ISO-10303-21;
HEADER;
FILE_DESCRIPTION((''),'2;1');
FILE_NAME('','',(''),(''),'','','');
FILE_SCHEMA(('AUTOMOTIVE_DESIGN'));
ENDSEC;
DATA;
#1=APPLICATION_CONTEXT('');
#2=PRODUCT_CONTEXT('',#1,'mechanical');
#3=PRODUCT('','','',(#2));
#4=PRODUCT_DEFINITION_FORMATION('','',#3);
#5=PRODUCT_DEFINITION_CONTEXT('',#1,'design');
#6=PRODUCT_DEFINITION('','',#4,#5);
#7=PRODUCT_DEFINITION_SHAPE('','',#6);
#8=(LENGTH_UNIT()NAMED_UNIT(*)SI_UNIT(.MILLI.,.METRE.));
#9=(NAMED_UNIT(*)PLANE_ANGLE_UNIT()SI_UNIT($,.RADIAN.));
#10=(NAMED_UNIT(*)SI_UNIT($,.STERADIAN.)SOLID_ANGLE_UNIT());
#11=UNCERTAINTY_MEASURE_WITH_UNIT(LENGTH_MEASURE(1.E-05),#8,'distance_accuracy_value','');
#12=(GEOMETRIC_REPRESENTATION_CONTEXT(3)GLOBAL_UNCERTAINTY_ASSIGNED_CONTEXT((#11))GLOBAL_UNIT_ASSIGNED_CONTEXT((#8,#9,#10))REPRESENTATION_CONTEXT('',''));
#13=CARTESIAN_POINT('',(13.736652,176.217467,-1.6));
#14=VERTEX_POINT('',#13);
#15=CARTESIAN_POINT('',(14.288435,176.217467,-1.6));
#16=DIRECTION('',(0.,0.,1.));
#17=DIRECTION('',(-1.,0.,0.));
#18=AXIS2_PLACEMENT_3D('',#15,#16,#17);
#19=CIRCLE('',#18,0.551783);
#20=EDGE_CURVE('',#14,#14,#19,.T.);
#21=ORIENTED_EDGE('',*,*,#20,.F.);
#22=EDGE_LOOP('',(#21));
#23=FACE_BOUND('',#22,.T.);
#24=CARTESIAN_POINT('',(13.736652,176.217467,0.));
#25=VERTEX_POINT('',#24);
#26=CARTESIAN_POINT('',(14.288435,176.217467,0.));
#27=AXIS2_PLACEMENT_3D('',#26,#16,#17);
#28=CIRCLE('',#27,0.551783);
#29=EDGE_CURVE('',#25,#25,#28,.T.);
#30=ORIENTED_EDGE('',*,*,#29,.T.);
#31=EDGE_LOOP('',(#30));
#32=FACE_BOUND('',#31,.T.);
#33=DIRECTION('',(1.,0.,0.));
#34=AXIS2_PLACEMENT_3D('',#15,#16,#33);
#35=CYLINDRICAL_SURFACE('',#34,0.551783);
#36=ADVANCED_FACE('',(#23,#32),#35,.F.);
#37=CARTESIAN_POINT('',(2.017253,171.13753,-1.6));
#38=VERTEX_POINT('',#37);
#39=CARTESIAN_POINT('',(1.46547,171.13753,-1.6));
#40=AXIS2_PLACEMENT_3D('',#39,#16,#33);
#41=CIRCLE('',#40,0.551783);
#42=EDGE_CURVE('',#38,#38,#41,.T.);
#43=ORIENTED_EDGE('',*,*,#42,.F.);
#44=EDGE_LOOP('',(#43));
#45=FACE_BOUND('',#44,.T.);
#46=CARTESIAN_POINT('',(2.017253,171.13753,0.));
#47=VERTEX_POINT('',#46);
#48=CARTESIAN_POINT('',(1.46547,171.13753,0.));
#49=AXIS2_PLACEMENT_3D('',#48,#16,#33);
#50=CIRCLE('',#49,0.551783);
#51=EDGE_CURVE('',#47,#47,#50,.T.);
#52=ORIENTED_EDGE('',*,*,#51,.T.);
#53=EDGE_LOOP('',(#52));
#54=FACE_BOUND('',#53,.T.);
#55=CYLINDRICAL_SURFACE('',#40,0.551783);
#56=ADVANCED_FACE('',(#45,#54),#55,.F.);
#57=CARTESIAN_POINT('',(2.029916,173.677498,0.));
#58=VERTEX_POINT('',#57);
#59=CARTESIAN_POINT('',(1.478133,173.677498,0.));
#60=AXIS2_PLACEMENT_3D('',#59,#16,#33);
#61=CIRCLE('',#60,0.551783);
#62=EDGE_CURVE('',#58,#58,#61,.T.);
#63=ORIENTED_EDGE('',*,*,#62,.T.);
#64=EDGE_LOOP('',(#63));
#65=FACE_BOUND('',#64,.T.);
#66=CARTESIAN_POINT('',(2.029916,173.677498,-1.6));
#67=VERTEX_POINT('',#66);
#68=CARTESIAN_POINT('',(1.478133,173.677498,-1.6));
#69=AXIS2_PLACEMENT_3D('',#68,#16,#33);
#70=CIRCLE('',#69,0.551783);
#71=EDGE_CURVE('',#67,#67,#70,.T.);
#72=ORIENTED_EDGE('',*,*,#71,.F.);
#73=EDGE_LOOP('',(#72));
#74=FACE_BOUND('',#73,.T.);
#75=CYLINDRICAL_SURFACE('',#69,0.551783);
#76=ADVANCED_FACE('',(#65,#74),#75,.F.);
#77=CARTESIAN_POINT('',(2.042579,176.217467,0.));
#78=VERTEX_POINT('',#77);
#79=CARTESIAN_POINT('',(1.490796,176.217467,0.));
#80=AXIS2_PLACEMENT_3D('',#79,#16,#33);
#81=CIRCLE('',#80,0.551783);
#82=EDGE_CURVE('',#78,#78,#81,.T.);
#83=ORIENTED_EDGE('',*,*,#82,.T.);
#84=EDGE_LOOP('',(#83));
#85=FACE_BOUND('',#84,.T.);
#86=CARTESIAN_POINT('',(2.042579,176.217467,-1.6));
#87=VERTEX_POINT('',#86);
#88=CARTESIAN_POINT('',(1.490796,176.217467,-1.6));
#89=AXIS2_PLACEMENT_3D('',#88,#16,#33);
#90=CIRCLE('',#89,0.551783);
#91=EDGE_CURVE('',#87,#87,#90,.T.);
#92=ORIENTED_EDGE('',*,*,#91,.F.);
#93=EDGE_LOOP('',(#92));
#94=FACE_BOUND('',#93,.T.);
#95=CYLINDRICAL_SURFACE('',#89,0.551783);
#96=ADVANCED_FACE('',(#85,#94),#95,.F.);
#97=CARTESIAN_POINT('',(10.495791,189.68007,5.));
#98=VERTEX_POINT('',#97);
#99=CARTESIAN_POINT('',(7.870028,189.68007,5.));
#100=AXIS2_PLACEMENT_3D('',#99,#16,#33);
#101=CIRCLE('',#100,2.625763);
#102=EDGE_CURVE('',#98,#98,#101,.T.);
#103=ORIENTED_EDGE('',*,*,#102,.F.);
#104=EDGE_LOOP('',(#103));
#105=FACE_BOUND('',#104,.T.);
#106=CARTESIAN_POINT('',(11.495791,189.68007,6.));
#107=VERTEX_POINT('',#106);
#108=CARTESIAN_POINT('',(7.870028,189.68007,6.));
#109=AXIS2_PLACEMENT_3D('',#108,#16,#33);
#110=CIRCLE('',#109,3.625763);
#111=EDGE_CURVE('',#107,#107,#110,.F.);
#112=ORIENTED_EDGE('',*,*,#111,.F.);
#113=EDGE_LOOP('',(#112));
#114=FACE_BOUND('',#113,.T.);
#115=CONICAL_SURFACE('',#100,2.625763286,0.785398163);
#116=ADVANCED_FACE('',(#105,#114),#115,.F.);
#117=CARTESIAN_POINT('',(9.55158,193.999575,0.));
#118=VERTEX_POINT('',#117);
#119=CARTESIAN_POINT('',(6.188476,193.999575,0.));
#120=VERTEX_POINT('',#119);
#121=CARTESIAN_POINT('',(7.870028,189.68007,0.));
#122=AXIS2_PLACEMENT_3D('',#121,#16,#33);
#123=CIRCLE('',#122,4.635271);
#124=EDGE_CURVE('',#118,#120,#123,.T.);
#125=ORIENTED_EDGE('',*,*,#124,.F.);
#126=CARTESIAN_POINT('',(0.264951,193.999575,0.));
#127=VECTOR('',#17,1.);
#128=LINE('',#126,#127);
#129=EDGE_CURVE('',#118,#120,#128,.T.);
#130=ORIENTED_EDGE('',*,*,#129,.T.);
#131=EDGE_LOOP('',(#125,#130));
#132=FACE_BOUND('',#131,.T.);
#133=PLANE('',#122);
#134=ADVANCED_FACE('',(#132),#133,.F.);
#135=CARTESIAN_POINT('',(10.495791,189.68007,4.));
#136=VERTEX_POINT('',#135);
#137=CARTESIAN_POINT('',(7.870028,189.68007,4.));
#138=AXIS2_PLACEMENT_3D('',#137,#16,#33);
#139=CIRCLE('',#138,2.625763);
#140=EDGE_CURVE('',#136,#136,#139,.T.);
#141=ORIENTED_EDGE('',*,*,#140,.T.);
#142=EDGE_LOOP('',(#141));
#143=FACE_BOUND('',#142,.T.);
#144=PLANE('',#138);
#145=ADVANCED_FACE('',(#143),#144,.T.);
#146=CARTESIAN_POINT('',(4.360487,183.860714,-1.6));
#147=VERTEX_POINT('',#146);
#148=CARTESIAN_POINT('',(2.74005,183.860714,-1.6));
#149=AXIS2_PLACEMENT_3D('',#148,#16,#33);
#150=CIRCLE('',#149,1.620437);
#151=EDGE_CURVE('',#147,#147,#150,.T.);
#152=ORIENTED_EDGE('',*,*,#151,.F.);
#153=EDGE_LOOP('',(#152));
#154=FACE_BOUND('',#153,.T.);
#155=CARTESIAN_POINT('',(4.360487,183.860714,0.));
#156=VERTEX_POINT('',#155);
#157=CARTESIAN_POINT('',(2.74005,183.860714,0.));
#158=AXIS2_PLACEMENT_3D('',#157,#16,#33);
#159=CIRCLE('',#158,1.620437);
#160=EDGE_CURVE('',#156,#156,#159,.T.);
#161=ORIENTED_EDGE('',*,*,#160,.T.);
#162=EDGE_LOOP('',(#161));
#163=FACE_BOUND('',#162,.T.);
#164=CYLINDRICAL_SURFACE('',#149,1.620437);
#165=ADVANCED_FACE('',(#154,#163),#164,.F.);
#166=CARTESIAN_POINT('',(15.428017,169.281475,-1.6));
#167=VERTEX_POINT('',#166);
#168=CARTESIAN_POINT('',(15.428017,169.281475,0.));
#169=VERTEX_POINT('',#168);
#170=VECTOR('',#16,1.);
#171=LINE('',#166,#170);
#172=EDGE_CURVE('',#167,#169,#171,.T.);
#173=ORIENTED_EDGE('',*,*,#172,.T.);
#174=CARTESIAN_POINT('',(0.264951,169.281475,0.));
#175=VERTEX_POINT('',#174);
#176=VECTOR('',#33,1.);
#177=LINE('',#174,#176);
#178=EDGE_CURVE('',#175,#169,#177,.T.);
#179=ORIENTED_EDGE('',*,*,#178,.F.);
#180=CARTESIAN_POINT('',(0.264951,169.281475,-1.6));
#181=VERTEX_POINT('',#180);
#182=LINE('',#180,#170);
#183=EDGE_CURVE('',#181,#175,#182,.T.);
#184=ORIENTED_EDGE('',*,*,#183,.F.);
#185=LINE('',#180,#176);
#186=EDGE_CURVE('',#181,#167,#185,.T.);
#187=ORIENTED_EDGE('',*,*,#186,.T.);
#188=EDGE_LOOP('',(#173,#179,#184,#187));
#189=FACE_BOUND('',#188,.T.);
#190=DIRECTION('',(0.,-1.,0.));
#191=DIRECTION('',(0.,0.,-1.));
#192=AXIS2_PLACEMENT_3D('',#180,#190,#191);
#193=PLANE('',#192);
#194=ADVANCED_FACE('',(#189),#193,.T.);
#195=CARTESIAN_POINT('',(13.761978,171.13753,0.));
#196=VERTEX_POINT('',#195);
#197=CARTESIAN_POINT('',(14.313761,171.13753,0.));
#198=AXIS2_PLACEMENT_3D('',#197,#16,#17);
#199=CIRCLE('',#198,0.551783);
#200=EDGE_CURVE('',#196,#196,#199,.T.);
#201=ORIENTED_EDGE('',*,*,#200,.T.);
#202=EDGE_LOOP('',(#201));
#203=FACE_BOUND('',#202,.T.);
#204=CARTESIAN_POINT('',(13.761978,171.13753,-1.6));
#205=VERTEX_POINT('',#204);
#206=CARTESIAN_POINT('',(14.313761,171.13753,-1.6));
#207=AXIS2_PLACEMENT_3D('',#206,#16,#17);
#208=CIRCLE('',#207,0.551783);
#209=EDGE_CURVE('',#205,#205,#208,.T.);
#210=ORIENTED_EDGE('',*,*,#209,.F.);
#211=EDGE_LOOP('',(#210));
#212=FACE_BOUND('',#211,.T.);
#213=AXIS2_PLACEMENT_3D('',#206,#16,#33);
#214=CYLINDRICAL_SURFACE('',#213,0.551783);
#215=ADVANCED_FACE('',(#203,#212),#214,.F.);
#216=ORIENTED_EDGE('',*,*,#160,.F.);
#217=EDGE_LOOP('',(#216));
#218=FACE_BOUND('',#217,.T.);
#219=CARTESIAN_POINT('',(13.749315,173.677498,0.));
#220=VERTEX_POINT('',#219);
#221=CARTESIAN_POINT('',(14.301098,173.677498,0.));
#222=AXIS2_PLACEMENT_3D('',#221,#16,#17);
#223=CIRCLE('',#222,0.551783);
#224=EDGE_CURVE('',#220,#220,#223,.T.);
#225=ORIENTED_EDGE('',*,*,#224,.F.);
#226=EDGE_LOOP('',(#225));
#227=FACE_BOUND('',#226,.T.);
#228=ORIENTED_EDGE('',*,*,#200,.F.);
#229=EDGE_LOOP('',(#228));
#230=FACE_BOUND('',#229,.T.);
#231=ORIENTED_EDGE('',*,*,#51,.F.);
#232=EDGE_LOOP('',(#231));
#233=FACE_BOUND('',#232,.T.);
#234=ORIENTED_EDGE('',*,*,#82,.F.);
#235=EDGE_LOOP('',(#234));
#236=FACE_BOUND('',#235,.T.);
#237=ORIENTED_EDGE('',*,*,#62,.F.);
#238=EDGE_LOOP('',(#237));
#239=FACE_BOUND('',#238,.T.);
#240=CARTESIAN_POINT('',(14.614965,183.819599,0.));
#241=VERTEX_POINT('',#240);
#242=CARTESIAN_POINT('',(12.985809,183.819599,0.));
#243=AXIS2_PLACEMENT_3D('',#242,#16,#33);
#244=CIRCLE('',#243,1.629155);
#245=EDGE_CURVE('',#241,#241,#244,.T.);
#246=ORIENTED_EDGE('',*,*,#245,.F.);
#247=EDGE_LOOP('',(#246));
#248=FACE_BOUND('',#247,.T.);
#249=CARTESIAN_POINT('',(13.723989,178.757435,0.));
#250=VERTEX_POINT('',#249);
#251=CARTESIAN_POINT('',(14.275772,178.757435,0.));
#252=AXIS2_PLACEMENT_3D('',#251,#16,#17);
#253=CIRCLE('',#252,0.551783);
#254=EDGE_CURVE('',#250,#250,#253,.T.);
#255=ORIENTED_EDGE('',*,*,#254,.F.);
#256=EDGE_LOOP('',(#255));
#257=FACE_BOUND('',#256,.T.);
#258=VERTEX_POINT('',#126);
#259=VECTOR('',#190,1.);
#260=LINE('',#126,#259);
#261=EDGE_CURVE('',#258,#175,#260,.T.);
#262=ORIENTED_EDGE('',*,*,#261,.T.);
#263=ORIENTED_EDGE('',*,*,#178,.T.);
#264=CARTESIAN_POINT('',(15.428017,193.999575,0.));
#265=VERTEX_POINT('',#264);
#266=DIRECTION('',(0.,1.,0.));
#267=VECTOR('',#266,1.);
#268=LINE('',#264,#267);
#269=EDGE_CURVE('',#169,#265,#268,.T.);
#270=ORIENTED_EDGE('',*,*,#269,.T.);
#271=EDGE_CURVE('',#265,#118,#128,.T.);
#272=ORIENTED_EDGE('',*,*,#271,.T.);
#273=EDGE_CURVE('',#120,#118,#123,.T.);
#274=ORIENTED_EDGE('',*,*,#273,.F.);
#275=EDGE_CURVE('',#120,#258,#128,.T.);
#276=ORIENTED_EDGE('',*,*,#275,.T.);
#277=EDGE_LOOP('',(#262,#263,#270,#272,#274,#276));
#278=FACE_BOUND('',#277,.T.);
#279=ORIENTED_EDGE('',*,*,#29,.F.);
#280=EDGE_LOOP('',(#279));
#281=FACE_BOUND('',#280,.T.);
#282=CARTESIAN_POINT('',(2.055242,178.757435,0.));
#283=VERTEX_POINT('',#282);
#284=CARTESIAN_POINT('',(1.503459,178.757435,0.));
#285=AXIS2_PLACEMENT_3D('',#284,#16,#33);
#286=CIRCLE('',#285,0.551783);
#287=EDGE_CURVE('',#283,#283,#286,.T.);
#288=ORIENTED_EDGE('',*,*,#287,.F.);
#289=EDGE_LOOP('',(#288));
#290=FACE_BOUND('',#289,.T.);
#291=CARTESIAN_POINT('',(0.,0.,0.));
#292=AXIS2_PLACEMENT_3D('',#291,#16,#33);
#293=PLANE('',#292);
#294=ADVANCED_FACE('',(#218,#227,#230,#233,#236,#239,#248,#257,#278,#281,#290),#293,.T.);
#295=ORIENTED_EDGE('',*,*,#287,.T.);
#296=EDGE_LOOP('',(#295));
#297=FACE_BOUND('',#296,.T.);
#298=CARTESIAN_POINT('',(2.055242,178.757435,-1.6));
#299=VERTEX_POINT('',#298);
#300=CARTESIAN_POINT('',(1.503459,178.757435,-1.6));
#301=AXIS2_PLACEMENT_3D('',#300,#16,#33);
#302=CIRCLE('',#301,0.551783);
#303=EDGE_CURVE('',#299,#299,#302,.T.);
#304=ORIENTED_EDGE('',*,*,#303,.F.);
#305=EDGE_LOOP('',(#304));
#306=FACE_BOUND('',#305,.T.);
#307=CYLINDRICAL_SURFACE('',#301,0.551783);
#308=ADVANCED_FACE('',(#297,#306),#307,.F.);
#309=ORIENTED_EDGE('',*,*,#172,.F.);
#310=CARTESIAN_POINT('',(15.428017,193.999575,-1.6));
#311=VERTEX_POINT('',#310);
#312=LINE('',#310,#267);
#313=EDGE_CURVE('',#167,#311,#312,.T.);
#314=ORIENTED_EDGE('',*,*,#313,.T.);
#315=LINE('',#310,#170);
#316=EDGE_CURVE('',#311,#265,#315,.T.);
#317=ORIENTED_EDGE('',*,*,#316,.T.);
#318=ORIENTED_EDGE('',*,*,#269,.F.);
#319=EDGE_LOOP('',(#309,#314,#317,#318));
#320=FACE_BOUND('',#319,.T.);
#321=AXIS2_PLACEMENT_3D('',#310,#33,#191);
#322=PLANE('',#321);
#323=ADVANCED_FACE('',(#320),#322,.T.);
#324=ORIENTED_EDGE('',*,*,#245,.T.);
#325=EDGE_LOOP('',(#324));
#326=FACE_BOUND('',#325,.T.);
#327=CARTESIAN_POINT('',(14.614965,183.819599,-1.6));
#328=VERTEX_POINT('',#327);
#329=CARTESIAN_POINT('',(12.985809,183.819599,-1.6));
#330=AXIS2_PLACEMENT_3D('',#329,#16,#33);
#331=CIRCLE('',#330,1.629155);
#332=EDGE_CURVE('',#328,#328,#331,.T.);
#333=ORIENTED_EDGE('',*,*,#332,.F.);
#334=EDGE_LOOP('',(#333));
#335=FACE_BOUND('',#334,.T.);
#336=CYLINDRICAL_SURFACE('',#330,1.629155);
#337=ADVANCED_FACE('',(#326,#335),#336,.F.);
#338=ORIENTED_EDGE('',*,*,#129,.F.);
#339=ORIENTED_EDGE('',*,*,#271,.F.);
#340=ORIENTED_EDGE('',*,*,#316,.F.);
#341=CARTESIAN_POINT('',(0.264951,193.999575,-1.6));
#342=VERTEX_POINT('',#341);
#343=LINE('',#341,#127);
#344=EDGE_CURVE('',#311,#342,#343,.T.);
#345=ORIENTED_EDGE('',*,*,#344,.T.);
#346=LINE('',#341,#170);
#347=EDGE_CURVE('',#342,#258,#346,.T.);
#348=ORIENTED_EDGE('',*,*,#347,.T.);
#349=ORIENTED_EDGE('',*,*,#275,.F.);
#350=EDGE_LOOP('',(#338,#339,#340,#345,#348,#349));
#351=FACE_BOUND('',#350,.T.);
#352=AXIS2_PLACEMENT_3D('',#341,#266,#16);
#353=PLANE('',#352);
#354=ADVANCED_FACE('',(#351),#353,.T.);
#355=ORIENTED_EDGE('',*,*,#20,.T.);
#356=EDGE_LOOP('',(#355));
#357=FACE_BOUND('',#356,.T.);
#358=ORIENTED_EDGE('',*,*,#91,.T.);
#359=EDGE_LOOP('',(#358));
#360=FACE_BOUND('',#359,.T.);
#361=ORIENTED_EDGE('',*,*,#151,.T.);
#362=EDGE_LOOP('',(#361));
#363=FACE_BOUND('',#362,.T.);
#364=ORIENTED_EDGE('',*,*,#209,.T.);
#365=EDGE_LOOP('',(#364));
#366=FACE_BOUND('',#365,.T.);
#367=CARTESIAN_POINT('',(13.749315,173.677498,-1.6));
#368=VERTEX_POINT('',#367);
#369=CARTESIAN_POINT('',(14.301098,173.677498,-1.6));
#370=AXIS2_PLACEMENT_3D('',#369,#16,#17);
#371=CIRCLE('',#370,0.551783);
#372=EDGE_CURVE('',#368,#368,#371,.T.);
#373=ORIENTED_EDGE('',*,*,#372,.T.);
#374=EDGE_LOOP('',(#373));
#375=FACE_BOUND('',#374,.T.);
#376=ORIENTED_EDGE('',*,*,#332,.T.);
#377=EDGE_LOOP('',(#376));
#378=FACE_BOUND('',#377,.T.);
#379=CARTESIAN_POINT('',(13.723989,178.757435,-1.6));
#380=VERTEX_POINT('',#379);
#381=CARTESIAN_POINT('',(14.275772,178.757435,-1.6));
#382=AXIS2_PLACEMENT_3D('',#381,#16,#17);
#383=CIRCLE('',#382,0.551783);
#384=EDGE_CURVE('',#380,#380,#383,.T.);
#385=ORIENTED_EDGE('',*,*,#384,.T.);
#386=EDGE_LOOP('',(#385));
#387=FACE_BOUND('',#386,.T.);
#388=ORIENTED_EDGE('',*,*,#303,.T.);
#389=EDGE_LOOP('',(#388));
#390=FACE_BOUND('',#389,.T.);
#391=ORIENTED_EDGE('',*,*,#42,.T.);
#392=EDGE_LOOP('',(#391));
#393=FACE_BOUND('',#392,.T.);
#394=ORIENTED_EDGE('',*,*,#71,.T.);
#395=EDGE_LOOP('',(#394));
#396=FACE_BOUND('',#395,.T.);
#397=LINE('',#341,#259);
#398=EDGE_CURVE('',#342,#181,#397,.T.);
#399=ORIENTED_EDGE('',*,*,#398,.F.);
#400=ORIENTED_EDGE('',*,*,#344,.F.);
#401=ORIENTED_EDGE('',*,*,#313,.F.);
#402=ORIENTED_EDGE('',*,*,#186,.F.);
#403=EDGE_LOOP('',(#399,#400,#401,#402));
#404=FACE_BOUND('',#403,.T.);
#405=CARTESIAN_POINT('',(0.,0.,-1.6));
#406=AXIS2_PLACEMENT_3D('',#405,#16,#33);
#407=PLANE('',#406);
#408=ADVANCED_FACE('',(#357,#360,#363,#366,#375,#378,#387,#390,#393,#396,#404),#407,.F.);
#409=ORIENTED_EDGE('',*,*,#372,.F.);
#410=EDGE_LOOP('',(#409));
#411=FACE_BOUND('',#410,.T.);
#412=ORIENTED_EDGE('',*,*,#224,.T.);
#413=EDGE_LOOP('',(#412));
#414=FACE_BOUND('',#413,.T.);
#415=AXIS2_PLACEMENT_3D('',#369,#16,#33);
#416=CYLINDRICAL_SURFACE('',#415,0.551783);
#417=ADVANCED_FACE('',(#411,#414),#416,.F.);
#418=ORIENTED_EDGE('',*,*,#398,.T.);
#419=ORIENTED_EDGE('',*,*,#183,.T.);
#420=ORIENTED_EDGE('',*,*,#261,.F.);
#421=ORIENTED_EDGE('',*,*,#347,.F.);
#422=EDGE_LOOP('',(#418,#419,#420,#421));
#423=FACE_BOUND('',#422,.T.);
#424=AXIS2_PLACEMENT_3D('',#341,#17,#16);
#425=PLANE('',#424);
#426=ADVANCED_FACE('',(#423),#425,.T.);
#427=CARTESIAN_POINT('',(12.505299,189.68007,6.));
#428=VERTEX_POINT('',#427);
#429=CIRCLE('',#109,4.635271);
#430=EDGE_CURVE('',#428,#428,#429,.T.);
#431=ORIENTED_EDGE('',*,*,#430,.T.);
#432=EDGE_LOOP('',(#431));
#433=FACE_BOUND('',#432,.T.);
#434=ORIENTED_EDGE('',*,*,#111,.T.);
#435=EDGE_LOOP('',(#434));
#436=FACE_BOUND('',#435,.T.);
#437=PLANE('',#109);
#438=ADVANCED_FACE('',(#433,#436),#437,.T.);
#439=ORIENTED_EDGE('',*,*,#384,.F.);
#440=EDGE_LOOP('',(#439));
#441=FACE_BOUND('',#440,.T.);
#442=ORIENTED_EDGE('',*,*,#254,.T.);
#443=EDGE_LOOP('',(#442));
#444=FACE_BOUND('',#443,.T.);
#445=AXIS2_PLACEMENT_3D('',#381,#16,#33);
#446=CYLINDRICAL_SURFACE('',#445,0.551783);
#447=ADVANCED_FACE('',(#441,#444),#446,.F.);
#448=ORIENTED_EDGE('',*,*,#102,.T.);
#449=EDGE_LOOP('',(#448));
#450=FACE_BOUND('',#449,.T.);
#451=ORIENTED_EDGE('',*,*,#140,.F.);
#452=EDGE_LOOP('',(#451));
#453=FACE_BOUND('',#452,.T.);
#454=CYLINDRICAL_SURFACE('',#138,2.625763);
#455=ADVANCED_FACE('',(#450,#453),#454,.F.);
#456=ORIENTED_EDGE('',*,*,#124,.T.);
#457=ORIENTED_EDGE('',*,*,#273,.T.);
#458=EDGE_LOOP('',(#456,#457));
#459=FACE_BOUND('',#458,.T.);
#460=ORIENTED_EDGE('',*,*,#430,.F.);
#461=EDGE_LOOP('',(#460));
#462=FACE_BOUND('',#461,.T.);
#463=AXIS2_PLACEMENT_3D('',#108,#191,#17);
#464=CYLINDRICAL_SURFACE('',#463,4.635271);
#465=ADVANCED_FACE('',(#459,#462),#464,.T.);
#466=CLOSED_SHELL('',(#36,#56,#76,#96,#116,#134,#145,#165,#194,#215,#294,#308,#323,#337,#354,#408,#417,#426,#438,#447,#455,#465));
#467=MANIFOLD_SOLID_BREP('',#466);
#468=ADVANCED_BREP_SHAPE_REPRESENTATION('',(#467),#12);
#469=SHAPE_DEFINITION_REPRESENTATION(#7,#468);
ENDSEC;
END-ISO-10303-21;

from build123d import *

# Parameters (mm, degrees)
ESQUISSE1_W             = 15.163065961
ESQUISSE1_H             = 24.718099935
ESQUISSE1_R             = 1.620437073
ESQUISSE1_R_2           = 1.629155484
ESQUISSE1_R_3           = 0.551783112
BOSS_EXTRU_1_DEPTH      = 1.6
ESQUISSE2_R             = 4.635270965
BOSS_EXTRU_2_DEPTH      = 6
ESQUISSE3_R             = 2.625763286
ENL_V_MAT_EXTRU_1_DEPTH = 2
CHANFREIN1_SIZE         = 1


with BuildPart() as part:
    # Esquisse1 → Boss.-Extru.1 (new body)
    with BuildSketch(Plane.XY):
        with Locations((7.846483978, 181.640524959)):
            Rectangle(ESQUISSE1_W, ESQUISSE1_H)
        with Locations((2.740050159, 183.860713577)):
            Circle(ESQUISSE1_R, mode=Mode.SUBTRACT)
        with Locations((12.98580948, 183.819598973)):
            Circle(ESQUISSE1_R_2, mode=Mode.SUBTRACT)
        with Locations((1.503458801, 178.757435176)):
            Circle(ESQUISSE1_R_3, mode=Mode.SUBTRACT)
        with Locations((1.490795777, 176.217466742)):
            Circle(ESQUISSE1_R_3, mode=Mode.SUBTRACT)
        with Locations((1.478132752, 173.677498307)):
            Circle(ESQUISSE1_R_3, mode=Mode.SUBTRACT)
        with Locations((1.465469727, 171.137529873)):
            Circle(ESQUISSE1_R_3, mode=Mode.SUBTRACT)
        with Locations(Location((14.313761483, 171.137529873, 0), (0, 0, 180))):
            Circle(ESQUISSE1_R_3, mode=Mode.SUBTRACT)
        with Locations(Location((14.301098459, 173.677498307, 0), (0, 0, 180))):
            Circle(ESQUISSE1_R_3, mode=Mode.SUBTRACT)
        with Locations(Location((14.288435434, 176.217466742, 0), (0, 0, 180))):
            Circle(ESQUISSE1_R_3, mode=Mode.SUBTRACT)
        with Locations(Location((14.275772409, 178.757435176, 0), (0, 0, 180))):
            Circle(ESQUISSE1_R_3, mode=Mode.SUBTRACT)
    extrude(amount=-BOSS_EXTRU_1_DEPTH)

    # Esquisse2 → Boss.-Extru.2 (add)
    with BuildSketch(Plane.XY):
        with Locations(Location((7.870027941, 189.680070203, 0), (0, 0, 111.270599652))):
            Circle(ESQUISSE2_R)
    extrude(amount=BOSS_EXTRU_2_DEPTH)

    # Esquisse3 → Enlèv. mat.-Extru.1 (cut)
    with BuildSketch(Plane.XY.offset(6)):
        with Locations((7.870027941, 189.680070203)):
            Circle(ESQUISSE3_R)
    extrude(amount=-ENL_V_MAT_EXTRU_1_DEPTH, mode=Mode.SUBTRACT)

    # Chanfrein1
    chanfrein1_edges = [part.edges().sort_by_distance(p)[0] for p in [
        (5.244264654, 189.680070203, 6),
    ]]
    chamfer(chanfrein1_edges, length=CHANFREIN1_SIZE)


solid = part.part
